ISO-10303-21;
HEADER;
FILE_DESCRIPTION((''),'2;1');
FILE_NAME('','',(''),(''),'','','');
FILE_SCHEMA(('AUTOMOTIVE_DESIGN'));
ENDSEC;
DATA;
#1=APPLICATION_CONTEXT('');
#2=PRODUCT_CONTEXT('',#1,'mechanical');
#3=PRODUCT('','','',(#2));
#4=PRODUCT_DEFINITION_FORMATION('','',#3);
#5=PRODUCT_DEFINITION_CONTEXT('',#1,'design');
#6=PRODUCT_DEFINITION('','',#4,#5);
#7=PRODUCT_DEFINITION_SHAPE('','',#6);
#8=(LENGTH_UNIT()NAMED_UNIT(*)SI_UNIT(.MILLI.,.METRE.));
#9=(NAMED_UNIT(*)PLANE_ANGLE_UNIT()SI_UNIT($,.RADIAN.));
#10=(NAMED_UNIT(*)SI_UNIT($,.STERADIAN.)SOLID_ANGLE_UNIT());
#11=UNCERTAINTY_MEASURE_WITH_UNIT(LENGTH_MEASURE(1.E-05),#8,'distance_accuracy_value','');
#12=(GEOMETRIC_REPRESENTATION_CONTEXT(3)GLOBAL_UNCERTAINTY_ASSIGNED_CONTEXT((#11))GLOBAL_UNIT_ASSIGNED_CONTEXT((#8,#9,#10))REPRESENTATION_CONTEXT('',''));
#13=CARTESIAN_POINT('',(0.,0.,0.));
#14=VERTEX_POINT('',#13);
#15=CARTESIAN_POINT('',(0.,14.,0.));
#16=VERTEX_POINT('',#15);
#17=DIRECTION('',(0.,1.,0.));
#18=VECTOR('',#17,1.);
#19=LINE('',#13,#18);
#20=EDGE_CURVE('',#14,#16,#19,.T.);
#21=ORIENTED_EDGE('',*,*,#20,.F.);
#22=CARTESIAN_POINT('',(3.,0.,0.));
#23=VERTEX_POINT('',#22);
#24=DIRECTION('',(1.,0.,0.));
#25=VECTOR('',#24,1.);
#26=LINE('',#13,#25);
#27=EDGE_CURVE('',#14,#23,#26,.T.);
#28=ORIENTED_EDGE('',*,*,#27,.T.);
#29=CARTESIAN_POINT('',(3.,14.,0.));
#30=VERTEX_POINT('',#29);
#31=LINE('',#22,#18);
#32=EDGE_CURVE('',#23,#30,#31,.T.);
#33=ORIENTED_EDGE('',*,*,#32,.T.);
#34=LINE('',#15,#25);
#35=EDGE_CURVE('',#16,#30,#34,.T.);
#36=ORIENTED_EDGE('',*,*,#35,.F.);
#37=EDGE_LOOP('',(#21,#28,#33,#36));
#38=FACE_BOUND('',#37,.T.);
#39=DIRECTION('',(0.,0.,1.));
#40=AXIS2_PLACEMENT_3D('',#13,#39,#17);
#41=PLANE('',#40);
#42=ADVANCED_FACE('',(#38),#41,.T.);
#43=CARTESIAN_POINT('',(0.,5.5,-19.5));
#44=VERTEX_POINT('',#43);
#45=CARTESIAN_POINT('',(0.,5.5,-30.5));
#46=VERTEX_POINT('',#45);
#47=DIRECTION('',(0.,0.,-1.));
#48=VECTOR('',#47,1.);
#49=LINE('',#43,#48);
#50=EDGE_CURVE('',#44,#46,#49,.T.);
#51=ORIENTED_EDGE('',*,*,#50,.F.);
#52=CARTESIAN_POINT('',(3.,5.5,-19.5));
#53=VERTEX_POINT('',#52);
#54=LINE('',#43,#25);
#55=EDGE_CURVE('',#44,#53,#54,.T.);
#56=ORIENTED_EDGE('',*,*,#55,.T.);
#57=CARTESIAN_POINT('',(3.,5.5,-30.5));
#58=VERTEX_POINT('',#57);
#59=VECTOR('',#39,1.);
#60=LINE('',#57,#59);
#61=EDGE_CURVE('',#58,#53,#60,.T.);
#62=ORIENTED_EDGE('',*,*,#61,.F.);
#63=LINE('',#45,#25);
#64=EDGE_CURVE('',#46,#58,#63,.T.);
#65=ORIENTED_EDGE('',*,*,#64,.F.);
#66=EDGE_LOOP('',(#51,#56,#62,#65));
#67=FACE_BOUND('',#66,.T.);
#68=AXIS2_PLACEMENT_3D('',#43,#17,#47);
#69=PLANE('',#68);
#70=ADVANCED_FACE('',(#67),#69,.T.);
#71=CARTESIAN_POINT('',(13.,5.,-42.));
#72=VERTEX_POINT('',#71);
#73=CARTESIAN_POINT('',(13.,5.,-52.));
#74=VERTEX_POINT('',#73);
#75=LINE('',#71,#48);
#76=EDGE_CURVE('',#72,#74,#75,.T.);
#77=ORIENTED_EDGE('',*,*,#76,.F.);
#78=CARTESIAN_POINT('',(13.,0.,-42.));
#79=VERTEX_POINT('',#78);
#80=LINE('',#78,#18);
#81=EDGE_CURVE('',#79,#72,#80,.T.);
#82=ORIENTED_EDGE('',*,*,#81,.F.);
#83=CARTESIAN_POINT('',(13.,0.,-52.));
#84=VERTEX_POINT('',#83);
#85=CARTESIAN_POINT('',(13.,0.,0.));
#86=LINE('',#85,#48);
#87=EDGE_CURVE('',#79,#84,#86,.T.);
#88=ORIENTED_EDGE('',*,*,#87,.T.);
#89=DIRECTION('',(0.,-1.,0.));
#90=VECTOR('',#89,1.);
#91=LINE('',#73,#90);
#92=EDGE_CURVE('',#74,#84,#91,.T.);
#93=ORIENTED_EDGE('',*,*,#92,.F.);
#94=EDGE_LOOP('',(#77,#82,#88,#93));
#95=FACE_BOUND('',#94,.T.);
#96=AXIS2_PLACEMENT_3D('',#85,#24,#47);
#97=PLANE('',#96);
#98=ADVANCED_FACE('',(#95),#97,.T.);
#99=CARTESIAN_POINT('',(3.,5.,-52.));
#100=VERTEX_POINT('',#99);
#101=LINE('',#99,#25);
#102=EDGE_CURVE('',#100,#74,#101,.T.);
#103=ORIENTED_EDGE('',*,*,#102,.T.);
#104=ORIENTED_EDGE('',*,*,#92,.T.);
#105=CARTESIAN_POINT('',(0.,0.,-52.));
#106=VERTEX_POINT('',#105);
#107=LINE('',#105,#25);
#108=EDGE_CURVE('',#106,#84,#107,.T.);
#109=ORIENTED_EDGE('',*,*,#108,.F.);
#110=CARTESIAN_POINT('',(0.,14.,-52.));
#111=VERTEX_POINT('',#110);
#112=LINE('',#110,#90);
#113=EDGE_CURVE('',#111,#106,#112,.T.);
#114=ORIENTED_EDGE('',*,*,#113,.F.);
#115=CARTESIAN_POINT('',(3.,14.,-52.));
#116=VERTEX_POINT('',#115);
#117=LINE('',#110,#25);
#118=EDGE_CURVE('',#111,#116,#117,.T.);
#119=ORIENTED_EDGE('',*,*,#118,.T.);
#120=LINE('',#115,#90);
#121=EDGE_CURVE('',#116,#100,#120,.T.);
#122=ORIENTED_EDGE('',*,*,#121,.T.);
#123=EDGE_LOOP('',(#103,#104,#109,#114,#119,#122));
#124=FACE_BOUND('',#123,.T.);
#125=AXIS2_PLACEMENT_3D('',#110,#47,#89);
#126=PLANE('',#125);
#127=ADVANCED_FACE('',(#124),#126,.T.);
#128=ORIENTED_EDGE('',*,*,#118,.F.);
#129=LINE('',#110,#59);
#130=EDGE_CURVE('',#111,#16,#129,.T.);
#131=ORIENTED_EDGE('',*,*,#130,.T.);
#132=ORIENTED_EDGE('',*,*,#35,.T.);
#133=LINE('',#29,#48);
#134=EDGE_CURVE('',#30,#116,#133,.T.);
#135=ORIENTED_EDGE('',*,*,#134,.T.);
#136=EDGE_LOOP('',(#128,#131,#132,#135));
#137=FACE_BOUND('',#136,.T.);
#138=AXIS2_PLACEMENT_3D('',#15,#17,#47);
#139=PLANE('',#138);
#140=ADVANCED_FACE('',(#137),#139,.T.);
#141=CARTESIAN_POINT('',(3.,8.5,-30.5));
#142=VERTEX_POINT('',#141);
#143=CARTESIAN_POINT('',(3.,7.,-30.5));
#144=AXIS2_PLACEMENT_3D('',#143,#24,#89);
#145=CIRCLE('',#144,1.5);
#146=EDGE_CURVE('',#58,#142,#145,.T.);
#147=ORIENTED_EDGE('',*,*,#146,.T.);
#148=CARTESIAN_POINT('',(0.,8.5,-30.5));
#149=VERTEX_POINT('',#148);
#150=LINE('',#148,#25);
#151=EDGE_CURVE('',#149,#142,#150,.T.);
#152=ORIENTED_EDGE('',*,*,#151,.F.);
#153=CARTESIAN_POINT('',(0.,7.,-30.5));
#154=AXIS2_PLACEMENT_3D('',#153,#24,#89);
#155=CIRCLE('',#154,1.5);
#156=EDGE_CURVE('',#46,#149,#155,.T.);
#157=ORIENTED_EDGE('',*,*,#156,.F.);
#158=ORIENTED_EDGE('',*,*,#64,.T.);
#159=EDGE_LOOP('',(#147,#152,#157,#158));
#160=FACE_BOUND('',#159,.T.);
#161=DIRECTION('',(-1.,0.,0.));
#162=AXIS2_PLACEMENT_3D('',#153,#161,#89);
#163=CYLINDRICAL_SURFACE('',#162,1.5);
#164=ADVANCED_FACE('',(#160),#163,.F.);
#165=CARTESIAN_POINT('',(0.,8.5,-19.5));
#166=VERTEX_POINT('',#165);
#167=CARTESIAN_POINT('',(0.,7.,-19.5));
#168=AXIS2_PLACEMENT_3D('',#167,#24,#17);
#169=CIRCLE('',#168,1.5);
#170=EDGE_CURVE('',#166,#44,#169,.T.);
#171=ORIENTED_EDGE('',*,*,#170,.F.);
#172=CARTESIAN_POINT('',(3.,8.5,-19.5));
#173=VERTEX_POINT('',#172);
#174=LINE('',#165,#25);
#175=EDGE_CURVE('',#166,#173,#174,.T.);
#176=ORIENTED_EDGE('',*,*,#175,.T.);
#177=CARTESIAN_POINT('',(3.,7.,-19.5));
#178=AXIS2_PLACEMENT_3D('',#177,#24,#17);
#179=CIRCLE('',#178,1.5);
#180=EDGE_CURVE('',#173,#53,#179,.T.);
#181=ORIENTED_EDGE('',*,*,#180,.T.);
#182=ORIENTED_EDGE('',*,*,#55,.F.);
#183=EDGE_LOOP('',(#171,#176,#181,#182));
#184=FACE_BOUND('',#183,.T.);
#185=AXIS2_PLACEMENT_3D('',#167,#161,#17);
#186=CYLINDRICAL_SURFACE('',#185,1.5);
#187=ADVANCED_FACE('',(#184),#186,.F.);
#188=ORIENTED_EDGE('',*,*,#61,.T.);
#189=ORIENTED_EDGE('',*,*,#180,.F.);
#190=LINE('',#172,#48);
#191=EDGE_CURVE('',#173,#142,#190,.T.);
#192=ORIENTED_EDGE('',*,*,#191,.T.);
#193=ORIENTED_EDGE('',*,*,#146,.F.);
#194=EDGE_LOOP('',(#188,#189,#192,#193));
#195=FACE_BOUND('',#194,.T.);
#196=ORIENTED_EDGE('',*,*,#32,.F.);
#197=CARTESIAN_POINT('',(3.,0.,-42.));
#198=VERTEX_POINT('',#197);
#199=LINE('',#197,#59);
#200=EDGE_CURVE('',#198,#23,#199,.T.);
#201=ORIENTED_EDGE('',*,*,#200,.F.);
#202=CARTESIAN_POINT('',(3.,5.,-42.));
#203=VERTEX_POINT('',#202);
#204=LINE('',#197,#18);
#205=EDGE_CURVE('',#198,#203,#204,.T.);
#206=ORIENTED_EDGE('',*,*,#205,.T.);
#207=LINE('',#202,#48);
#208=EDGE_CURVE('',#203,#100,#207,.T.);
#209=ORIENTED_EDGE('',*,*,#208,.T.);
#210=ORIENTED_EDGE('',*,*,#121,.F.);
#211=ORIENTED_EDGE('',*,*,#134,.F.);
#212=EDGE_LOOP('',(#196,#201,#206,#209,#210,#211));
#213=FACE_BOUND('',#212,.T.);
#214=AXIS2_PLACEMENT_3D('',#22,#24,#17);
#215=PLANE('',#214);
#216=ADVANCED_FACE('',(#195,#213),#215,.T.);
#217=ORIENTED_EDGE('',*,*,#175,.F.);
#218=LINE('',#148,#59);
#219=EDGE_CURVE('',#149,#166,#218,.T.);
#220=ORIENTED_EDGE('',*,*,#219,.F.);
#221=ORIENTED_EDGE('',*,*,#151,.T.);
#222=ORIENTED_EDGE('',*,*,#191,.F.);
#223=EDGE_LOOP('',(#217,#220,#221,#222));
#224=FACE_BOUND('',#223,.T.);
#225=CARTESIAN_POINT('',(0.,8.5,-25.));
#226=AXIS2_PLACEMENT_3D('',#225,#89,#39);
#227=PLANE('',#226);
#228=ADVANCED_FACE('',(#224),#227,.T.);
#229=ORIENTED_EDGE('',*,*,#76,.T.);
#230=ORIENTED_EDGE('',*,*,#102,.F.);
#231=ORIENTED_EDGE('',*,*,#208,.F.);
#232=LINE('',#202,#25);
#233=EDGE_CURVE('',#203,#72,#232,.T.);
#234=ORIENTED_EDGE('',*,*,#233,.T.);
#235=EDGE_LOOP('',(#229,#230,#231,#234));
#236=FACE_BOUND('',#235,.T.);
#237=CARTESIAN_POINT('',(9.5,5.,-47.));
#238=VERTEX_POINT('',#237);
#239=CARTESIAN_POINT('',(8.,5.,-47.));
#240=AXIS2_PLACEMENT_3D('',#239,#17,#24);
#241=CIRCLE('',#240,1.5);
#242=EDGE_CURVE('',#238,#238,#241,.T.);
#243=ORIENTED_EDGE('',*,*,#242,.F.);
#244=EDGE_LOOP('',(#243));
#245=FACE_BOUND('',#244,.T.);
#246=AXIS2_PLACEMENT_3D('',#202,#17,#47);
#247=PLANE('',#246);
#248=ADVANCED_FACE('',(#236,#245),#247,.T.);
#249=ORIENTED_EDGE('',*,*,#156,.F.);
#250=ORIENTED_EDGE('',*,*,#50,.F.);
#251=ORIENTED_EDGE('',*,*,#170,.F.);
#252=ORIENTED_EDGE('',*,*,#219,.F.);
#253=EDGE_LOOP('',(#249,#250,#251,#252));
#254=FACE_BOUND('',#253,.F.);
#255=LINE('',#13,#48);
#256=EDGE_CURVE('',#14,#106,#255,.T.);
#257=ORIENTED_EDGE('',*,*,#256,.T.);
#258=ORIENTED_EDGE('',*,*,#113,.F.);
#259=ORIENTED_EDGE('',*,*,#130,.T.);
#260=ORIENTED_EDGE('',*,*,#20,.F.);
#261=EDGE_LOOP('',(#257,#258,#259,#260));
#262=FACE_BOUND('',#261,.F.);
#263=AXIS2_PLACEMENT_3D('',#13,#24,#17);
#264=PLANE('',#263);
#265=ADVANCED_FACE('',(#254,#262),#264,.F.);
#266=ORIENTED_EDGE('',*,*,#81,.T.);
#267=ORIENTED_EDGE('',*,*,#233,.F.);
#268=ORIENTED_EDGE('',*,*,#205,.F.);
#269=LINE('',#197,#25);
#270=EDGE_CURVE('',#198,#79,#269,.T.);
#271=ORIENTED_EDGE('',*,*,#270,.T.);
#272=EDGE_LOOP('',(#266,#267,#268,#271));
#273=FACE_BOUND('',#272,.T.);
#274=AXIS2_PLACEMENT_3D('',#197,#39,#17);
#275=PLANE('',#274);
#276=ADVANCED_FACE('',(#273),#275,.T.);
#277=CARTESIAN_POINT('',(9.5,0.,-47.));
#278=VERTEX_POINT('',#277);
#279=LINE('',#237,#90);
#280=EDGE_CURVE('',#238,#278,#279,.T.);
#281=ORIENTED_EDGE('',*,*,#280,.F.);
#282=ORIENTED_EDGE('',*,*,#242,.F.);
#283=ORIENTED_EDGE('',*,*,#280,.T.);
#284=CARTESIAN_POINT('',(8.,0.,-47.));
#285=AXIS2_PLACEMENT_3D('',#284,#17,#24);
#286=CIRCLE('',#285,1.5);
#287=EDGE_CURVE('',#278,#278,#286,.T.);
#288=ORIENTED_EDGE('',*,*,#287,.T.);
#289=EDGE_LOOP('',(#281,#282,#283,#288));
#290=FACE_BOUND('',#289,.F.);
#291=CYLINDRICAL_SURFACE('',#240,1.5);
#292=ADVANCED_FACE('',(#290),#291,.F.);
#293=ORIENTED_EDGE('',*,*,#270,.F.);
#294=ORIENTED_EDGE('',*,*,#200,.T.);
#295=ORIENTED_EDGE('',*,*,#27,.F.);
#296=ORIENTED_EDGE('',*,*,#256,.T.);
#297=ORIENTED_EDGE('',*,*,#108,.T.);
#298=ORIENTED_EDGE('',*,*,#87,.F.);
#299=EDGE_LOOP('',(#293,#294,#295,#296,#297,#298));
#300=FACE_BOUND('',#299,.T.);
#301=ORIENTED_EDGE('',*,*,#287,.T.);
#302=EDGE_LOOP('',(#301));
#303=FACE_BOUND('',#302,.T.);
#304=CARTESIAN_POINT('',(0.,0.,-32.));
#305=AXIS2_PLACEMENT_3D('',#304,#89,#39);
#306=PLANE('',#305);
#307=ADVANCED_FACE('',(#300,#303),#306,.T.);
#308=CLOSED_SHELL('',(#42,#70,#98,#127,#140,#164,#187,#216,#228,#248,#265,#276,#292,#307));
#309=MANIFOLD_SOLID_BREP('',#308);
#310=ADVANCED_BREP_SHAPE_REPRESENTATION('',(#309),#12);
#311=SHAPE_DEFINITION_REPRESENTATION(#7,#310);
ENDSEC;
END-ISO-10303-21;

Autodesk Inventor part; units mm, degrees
ref_plane "YZ Plane" through (0, 0, 0) normal (1, 0, 0) x (0, 1, 0)
ref_plane "XZ Plane" through (0, 0, 0) normal (0, 1, 0) x (-1, 0, 0)
ref_plane "XY Plane" through (0, 0, 0) normal (0, 0, 1) x (1, 0, 0)
sketch "Sketch2" plane through (0, 0, 0) normal (1, 0, 0) x (0, 1, 0)
  line L0 (0, 0) -> (14, 0)
  line L1 (14, 0) -> (14, -32)
  line L2 (14, -32) -> (0, -32) construction
  line L3 (0, -32) -> (0, 0)
  circle A0 centre (7, -25) radius 1.5
  line L4 (14, -32) -> (14, -52)
  line L5 (14, -52) -> (0, -52)
  line L6 (0, -52) -> (0, -32)
  line L7 (7, -19.5) -> (7, -30.5) construction
  line L8 (5.5, -19.5) -> (5.5, -30.5)
  line L9 (8.5, -30.5) -> (8.5, -19.5)
  arc A1 (8.5, -19.5) -> (5.5, -19.5) centre (7, -19.5) ccw
  arc A2 (5.5, -30.5) -> (8.5, -30.5) centre (7, -30.5) ccw
  point P0 (7, -32)
  dimension "d5" = 32
  dimension "d6" = 14
  dimension "d7" = 3
  dimension "d8" = 7
  dimension "d11" = 20
extrude "Extrusion1" add sketch "Sketch2" along normal blind 3
sketch "Sketch3" plane through (3, 0, 0) normal (1, 0, 0) x (0, 0, -1)
  line L0 (0, 0) -> (52, 0) projected
  line L1 (52, 0) -> (42, 0)
  line L2 (42, 0) -> (42, 5)
  line L3 (42, 5) -> (52, 5)
  line L4 (52, 5) -> (52, 0)
  dimension "d12" = 5
  dimension "d13" = 10
extrude "Extrusion2" add sketch "Sketch3" along normal blind 10
sketch "Sketch4" plane through (3, 5, -42) normal (0, 1, 0) x (1, 0, 0)
  circle A0 centre (5, 5) radius 1.5
  line L0 (10, 10) -> (10, 0) projected
  point P0 (-3, -42)
  point P1 (10, 5)
  dimension "d16" = 3
  dimension "d17" = 5
extrude "Extrusion3" cut sketch "Sketch4" against normal through all
properties part number "IRSensorMount"
